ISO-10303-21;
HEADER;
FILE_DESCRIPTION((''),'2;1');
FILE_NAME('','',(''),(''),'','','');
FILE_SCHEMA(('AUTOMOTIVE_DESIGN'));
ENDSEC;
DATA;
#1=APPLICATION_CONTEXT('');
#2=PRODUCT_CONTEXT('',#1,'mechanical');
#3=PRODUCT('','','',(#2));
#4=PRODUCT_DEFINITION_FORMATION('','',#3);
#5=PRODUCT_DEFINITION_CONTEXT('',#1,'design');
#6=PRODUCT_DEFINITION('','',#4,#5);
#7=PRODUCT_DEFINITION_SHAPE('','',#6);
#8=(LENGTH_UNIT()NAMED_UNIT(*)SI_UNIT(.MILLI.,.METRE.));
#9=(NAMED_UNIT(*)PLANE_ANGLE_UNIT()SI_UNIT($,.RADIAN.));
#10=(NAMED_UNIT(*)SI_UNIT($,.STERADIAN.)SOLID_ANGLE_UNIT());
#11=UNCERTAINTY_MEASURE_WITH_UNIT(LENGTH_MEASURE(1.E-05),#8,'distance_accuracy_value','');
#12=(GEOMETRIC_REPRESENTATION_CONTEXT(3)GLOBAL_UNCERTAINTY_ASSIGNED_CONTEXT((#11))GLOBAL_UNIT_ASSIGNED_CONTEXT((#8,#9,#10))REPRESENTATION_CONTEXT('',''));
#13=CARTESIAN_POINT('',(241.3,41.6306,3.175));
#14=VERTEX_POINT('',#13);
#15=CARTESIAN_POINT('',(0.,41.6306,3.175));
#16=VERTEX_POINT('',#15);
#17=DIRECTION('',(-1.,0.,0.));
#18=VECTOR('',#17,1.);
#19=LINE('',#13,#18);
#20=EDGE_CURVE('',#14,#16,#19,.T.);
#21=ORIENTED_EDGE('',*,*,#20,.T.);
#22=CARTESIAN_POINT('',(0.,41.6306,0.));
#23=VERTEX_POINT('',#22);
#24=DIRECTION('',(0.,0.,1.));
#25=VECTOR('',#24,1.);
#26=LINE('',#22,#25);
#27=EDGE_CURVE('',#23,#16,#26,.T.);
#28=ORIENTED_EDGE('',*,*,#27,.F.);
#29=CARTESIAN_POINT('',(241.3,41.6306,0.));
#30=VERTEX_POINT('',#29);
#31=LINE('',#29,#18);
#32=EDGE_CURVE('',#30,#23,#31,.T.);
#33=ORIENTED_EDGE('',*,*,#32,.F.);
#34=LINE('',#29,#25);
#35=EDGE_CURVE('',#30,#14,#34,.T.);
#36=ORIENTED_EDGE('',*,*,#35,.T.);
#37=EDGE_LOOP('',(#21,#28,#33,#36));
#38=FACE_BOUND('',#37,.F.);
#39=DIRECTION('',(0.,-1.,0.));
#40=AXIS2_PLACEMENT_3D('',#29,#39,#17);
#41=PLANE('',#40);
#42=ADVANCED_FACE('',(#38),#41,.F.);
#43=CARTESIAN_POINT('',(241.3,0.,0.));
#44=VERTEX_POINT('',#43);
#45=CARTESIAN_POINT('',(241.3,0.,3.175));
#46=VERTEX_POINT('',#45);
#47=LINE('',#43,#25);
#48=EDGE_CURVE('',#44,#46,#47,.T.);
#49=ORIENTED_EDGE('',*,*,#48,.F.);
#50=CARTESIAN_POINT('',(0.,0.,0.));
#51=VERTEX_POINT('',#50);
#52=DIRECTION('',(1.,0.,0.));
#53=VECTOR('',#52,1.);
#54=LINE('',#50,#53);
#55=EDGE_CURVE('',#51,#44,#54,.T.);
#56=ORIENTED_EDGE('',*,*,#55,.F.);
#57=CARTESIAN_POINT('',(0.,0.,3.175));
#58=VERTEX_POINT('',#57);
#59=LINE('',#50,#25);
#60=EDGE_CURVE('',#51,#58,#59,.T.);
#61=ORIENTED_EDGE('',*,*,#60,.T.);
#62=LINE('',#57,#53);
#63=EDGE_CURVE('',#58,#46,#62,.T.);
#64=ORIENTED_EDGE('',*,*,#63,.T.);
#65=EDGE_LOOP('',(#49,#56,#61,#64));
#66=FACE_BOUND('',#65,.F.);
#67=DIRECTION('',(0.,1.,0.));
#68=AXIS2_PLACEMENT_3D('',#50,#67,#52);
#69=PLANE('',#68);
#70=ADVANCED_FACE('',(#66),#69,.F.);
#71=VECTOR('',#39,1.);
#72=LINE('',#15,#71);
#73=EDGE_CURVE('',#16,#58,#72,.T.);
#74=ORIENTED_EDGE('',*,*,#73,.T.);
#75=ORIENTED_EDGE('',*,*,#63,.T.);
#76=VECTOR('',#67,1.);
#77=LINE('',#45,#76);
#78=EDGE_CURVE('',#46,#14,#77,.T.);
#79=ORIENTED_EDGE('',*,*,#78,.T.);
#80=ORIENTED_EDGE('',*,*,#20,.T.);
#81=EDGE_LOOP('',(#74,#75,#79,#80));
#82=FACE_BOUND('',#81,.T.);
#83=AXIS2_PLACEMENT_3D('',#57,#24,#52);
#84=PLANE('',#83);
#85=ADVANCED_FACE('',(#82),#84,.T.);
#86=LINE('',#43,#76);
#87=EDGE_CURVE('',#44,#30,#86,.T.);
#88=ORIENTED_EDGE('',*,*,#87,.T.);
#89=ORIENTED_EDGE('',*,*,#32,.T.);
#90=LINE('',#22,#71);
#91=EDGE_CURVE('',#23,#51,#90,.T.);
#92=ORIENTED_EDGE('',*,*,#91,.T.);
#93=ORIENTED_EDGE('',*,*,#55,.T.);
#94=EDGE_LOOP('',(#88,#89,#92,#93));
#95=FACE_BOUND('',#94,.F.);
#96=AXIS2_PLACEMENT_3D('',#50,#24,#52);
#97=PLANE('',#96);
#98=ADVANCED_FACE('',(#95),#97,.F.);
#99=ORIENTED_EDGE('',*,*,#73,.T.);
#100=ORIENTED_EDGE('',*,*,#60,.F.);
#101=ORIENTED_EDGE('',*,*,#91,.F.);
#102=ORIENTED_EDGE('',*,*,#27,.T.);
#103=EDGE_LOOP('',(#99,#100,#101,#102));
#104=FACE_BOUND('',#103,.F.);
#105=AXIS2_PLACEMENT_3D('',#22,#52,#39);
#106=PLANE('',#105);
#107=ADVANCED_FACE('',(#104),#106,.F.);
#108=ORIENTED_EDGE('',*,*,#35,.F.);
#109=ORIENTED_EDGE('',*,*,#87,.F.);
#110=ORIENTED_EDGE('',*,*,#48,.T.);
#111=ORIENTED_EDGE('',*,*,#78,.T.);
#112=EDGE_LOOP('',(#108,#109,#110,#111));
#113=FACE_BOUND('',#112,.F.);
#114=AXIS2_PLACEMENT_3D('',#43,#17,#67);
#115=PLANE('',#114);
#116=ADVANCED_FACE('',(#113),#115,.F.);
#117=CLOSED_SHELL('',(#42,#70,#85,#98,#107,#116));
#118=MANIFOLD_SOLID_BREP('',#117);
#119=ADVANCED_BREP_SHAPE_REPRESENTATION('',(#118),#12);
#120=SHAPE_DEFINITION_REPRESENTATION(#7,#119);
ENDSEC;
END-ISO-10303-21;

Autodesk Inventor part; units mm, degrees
ref_plane "YZ Plane" through (0, 0, 0) normal (1, 0, 0) x (0, 1, 0)
ref_plane "XZ Plane" through (0, 0, 0) normal (0, 1, 0) x (-1, 0, 0)
ref_plane "XY Plane" through (0, 0, 0) normal (0, 0, 1) x (1, 0, 0)
sketch "Sketch1" plane through (0, 0, 0) normal (0, 0, 1) x (1, 0, 0)
  line L0 (0, 0) -> (241.3, 0)
  line L1 (241.3, 0) -> (241.3, 41.6306)
  line L2 (241.3, 41.6306) -> (0, 41.6306)
  line L3 (0, 41.6306) -> (0, 0)
  dimension "d0" = 241.3
  dimension "d1" = 41.6306
extrude "Extrusion1" add sketch "Sketch1" along normal blind 3.175
properties part number "Elevatorcarv2top"
